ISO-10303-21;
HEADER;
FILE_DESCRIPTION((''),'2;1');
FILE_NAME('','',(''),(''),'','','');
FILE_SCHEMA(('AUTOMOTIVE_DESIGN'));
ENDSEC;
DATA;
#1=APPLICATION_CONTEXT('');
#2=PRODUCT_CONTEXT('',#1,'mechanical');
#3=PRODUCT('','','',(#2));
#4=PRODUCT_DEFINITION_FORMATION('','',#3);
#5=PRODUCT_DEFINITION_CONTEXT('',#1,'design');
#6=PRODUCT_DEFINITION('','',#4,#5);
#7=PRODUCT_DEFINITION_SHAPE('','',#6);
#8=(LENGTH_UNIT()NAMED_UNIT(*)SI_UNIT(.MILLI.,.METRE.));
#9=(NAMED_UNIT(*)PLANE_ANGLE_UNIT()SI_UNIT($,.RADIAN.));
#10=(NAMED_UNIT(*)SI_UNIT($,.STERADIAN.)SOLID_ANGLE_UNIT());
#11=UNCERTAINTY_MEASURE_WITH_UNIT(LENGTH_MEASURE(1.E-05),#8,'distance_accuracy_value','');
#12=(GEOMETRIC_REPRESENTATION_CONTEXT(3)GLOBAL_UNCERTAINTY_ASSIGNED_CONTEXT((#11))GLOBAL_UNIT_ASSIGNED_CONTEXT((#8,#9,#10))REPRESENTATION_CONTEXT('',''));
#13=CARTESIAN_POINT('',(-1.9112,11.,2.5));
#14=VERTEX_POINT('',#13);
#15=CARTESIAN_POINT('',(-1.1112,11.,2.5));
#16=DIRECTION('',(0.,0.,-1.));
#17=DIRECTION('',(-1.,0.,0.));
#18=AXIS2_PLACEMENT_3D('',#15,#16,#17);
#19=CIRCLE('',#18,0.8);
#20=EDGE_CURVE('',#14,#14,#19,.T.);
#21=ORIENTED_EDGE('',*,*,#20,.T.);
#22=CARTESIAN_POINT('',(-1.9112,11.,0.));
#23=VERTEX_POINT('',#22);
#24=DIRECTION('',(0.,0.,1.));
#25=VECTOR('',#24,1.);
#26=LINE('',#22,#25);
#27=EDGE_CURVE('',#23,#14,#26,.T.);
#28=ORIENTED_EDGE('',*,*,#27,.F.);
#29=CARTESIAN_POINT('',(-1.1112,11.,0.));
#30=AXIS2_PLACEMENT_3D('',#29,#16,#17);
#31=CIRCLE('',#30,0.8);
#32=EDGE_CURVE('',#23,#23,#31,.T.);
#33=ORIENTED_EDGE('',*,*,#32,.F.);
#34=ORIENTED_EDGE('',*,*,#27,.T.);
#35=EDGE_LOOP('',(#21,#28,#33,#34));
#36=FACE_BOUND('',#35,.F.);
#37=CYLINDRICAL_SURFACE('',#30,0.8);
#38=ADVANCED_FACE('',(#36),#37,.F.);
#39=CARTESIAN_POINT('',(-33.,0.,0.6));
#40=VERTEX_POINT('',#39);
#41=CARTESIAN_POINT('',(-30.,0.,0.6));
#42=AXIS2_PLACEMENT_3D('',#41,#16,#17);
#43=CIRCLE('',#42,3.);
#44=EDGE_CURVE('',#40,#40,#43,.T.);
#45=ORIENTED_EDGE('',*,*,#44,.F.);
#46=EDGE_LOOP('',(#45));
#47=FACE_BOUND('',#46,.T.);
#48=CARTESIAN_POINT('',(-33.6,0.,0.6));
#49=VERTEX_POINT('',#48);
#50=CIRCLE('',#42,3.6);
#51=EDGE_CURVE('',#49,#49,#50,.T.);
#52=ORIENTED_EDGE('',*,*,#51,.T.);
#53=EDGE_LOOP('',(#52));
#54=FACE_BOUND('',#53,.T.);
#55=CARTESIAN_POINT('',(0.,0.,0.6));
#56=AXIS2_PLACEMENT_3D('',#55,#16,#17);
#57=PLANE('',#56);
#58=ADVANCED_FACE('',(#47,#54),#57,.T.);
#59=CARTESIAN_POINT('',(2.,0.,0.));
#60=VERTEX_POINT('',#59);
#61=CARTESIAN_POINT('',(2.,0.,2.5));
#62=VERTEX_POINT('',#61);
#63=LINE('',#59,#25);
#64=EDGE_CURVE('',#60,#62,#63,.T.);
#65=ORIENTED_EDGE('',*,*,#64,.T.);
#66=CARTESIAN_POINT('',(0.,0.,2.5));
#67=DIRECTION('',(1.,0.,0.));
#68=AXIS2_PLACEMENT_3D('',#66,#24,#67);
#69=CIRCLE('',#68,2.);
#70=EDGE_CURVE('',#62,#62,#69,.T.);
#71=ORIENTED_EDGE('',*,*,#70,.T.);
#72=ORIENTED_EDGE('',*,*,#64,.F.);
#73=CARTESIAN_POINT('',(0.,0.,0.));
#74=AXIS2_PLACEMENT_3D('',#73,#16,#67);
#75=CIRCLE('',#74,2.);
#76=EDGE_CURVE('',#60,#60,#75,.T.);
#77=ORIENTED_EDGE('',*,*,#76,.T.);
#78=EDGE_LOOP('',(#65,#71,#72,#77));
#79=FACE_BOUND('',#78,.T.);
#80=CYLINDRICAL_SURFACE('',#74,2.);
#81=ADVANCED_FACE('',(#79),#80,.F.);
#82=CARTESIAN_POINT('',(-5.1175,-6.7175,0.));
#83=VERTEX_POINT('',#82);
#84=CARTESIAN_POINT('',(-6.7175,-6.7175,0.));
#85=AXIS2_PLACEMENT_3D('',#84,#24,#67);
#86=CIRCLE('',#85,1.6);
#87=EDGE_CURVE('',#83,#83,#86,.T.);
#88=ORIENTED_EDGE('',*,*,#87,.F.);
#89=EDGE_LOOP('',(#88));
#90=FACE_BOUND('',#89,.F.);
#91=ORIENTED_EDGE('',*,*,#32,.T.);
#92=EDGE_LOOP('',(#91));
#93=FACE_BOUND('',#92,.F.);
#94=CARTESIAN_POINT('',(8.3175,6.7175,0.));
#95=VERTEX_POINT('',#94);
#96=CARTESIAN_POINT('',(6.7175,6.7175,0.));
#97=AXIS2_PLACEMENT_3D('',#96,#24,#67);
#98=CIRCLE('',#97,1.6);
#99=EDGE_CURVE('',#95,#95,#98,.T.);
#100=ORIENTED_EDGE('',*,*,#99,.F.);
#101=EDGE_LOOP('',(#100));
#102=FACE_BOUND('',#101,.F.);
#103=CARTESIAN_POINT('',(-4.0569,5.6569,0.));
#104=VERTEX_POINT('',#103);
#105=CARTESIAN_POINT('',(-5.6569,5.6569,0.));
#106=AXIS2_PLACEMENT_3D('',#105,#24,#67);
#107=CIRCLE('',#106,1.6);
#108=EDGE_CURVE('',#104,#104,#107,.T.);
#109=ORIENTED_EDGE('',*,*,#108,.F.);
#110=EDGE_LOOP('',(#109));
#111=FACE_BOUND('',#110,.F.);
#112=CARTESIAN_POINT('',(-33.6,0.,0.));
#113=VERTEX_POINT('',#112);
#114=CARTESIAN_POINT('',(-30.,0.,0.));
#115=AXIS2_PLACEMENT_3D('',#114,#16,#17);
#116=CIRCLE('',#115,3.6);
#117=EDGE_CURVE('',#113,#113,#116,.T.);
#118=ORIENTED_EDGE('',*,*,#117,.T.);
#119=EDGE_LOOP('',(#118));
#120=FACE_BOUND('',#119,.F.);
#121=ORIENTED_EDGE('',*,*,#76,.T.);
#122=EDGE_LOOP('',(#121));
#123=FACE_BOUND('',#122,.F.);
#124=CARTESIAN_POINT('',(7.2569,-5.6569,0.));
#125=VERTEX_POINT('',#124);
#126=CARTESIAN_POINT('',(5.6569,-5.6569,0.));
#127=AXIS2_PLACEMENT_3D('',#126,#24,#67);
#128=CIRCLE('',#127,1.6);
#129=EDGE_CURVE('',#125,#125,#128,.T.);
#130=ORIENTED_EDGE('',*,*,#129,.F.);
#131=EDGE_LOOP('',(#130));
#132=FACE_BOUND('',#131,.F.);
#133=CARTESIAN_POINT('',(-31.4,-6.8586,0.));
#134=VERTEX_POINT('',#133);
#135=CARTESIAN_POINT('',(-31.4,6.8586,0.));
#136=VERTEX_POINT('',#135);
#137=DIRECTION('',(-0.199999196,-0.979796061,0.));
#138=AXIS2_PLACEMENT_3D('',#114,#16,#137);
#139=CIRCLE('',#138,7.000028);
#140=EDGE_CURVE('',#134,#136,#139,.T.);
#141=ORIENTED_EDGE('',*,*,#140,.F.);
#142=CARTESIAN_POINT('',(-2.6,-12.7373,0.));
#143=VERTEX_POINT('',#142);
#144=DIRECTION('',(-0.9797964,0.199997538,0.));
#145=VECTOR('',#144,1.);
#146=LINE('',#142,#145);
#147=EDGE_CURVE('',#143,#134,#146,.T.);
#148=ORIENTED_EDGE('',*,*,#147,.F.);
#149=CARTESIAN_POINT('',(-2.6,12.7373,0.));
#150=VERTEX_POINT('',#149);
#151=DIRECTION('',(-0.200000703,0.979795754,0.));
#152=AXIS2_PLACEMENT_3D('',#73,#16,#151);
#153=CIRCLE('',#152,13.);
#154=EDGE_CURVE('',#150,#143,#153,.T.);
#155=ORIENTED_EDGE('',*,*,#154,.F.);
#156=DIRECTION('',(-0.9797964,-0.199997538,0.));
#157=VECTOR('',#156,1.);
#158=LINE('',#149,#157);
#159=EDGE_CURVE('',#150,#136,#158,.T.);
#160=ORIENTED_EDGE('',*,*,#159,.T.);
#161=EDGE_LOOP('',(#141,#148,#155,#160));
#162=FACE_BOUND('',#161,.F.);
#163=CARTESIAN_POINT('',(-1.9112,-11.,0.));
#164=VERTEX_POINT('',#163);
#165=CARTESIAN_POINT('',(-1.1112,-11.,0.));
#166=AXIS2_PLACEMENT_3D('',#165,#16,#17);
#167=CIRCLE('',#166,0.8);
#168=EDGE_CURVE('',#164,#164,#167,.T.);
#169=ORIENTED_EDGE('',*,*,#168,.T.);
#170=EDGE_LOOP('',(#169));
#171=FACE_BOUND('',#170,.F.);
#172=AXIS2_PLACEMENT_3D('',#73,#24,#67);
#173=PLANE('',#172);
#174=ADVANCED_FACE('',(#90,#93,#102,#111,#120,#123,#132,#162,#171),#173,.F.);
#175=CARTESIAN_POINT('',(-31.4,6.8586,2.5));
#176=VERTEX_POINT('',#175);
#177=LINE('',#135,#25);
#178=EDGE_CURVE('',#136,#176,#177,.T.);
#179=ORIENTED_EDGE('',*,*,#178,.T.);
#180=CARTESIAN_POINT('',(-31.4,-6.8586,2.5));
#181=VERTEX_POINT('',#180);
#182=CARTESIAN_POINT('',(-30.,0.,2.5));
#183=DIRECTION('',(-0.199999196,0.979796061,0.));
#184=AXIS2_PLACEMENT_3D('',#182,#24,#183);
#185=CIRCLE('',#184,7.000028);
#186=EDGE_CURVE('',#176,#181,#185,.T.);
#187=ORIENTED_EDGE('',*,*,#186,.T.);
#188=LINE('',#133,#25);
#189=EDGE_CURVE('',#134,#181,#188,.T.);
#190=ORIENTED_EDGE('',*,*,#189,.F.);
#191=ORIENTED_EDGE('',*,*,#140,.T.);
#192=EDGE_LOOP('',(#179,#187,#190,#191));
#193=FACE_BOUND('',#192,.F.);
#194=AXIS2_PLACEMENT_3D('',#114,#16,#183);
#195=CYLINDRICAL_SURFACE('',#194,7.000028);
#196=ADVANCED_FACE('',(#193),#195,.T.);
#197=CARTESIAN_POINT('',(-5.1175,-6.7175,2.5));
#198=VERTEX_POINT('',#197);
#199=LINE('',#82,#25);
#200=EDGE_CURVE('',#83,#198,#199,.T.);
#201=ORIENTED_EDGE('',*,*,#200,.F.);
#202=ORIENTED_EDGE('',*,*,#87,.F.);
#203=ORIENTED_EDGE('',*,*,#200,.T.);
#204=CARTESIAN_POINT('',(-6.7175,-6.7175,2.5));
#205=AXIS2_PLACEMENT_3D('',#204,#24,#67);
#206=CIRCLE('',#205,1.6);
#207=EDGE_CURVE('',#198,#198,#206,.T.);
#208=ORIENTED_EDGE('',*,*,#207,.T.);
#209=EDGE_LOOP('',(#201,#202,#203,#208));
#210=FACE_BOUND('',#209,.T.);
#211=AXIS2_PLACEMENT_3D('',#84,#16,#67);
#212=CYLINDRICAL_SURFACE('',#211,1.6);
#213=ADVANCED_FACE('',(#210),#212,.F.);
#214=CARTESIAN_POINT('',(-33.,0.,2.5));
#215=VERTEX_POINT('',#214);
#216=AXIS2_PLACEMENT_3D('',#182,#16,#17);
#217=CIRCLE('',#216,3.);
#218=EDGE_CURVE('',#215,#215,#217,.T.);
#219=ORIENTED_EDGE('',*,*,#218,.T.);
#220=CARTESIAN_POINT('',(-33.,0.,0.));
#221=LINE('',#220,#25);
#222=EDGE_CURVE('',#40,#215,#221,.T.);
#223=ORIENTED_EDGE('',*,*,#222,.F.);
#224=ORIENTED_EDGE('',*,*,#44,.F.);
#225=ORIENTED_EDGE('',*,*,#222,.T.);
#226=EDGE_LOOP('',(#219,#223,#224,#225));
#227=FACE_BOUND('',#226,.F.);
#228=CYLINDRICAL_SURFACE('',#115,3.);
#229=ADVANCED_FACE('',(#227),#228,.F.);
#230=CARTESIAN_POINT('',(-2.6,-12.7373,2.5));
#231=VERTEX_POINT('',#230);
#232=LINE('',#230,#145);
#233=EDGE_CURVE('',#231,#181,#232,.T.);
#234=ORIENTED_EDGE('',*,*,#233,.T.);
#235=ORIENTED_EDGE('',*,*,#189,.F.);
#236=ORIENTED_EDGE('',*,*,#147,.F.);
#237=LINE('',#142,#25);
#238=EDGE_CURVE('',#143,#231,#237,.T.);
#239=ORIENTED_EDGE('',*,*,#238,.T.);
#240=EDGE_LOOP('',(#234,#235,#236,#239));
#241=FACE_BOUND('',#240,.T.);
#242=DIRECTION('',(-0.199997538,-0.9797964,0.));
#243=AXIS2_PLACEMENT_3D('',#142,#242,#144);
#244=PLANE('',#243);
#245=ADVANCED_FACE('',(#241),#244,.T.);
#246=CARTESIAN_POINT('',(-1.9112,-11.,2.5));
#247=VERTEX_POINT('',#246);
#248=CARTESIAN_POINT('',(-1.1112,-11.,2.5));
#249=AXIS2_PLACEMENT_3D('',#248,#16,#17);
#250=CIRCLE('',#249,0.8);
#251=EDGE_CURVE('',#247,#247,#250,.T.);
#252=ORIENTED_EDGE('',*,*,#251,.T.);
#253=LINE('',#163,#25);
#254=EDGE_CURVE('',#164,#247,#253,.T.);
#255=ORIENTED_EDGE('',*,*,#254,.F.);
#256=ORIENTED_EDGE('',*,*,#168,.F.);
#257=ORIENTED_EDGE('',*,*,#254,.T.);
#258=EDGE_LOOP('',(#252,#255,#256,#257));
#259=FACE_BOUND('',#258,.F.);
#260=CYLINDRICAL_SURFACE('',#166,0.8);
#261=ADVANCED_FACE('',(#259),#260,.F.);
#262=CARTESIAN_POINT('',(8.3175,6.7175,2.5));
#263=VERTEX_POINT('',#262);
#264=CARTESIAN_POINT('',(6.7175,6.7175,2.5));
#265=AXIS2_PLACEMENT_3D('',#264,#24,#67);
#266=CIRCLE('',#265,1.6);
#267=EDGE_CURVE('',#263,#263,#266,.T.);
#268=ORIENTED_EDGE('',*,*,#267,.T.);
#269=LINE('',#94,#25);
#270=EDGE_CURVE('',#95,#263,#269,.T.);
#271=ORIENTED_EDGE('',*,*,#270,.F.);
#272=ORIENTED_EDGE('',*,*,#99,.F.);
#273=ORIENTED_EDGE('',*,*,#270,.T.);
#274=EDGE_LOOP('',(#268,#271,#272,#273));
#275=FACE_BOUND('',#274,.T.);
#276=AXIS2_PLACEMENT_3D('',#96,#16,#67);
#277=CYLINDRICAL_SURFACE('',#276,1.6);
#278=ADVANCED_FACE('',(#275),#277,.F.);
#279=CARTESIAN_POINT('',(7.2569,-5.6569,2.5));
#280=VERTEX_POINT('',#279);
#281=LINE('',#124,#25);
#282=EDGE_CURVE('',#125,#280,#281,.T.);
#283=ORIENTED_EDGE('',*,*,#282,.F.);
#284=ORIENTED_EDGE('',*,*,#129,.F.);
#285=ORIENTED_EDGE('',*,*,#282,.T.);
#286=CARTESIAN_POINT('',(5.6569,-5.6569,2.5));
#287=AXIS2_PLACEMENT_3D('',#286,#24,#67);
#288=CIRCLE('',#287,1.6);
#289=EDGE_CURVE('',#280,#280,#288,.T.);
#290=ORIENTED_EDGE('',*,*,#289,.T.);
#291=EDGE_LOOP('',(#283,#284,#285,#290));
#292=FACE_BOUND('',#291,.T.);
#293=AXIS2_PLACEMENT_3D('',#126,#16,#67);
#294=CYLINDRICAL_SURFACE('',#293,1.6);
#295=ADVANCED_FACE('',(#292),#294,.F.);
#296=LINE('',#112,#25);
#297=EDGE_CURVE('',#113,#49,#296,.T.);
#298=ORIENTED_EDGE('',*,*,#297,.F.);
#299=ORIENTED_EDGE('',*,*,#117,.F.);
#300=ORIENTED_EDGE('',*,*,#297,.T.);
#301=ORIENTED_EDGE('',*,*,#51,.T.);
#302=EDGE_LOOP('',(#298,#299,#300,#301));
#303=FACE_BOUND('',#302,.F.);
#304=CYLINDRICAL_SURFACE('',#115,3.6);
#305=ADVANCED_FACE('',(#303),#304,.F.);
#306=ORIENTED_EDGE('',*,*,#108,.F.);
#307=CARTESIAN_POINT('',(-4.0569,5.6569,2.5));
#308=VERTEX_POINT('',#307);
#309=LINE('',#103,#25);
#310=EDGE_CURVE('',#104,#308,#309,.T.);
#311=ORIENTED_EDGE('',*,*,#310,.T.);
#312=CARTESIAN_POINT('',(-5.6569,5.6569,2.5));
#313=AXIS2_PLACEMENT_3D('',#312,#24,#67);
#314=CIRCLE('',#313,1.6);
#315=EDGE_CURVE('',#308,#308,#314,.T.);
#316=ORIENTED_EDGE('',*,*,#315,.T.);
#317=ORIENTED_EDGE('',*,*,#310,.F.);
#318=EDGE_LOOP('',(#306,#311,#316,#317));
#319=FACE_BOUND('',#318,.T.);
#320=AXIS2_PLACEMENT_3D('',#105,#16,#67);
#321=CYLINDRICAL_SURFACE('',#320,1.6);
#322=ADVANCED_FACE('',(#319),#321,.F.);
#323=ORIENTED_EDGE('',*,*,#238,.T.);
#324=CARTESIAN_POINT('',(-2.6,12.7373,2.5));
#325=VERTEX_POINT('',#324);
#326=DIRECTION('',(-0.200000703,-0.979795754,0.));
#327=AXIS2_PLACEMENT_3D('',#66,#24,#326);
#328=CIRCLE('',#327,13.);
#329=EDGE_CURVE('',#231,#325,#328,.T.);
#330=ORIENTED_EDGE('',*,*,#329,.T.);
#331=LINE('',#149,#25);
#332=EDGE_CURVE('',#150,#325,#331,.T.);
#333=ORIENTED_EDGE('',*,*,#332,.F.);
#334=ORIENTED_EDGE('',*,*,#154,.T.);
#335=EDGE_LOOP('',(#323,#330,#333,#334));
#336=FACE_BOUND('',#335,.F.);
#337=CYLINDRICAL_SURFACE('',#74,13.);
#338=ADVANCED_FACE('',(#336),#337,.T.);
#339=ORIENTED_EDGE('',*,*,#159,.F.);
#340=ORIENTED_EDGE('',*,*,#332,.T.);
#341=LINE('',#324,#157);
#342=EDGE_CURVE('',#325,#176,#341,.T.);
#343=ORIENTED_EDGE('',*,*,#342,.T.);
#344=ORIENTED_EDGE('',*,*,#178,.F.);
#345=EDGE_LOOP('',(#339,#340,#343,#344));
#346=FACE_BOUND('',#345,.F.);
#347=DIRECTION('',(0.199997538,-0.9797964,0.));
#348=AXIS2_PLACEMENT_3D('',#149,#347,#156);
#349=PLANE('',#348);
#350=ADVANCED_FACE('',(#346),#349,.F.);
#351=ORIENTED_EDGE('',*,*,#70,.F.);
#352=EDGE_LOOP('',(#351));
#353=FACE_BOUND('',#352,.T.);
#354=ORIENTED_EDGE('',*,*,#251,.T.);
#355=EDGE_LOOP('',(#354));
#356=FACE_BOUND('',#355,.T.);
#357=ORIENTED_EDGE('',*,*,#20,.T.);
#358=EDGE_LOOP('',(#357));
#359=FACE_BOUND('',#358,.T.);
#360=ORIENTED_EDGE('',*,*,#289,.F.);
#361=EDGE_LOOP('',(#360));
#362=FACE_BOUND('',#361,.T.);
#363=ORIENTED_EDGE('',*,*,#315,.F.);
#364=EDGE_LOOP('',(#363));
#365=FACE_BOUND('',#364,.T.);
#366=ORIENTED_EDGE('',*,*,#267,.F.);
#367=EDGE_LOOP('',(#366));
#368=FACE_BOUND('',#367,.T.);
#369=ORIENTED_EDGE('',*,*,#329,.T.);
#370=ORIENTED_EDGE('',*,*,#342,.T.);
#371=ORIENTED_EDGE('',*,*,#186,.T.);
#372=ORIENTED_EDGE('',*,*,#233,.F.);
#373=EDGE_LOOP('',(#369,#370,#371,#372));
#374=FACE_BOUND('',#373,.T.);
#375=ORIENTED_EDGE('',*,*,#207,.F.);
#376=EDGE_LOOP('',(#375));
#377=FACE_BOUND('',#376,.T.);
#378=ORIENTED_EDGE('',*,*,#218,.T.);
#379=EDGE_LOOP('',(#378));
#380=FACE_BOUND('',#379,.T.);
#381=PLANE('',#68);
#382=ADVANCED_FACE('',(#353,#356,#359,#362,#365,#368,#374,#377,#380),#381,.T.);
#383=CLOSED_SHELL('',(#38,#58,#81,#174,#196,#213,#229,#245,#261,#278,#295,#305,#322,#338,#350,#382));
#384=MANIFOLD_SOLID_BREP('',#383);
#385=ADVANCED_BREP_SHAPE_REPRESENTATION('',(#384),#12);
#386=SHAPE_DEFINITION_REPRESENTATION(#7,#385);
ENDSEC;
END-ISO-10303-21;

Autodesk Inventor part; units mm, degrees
ref_plane "YZ Plane" through (0, 0, 0) normal (1, 0, 0) x (0, 1, 0)
ref_plane "XZ Plane" through (0, 0, 0) normal (0, 1, 0) x (-1, 0, 0)
ref_plane "XY Plane" through (0, 0, 0) normal (0, 0, 1) x (1, 0, 0)
sketch "スケッチ1" plane through (0, 0, 0) normal (0, 0, 1) x (1, 0, 0)
  circle A0 centre (0, 0) radius 13
  line L0 (-2.6, 12.7373) -> (-31.4, 6.8586)
  line L1 (-2.6, -12.7373) -> (-31.4, -6.8586)
  arc A1 (-31.4, 6.8586) -> (-31.4, -6.8586) centre (-30, 0) ccw
  line L2 (-47, 0) -> (23, 0) projected
  circle A2 centre (-5.6569, 5.6569) radius 1.6 projected
  circle A3 centre (6.7175, 6.7175) radius 1.6 projected
  circle A4 centre (5.6569, -5.6569) radius 1.6 projected
  circle A5 centre (-6.7175, -6.7175) radius 1.6 projected
  circle A6 centre (0, 0) radius 2
  dimension "d0" = 30
  dimension "d1" = 26
  dimension "d2" = 7
  dimension "d5" = 4
extrude "押し出し1" add sketch "スケッチ1" along normal blind 2.5 contours L2 A6 A0 | A0 L2 A6 | A0 L2 A1 L0 | L1 A1 L2 A0
sketch "スケッチ2" plane through (0, 0, 0) normal (0, 0, -1) x (-1, 0, 0)
  circle A0 centre (30, 0) radius 3
  circle A1 centre (30, 0) radius 1.5
  circle A2 centre (30, 0) radius 3.6
  line L0 (47, 0) -> (-23, 0) projected
  arc A3 (31.4, -6.8586) -> (31.4, 6.8586) centre (30, 0) ccw projected
  circle A4 centre (1.1112, 11) radius 0.8
  circle A5 centre (1.1112, -11) radius 0.8
  circle A6 centre (1.1112, 11) radius 2 construction
  circle A7 centre (1.1112, -11) radius 2 construction
  line L1 (2.6, 12.7373) -> (31.4, 6.8586) projected
  circle A8 centre (5.6569, 5.6569) radius 1.6 projected
  circle A9 centre (5.6569, 5.6569) radius 1.6
  circle A10 centre (6.7175, -6.7175) radius 1.6
  circle A11 centre (5.6569, 5.6569) radius 3 construction
  circle A12 centre (6.7175, -6.7175) radius 3 construction
  point P0 (0, 0)
  dimension "d6" = 6
  dimension "d7" = 3
  dimension "d8" = 7.2
  dimension "d13" = 1.6
  dimension "d15" = 4
  dimension "d16" = 6
  dimension "d18" = 22
extrude "押し出し2" cut sketch "スケッチ2" against normal blind 0.6 contours L0 A1 A0 | L0 A2 A0 | A0 L0 A2 | A0 L0 A1 | L0 A1 | A1 L0
extrude "押し出し3" cut sketch "スケッチ2" against normal up to surface (2.5 mm away) contours L0 A1 A0 | A0 L0 A1 | L0 A1 | A1 L0 | A4 | A5
thread "ねじ1" size "M2x0.4" class "6H" standard "ANSI Metric M Profile" full length
thread "ねじ2" size "M2x0.4" class "6H" standard "ANSI Metric M Profile" full length
properties part number "Dribler_main"
